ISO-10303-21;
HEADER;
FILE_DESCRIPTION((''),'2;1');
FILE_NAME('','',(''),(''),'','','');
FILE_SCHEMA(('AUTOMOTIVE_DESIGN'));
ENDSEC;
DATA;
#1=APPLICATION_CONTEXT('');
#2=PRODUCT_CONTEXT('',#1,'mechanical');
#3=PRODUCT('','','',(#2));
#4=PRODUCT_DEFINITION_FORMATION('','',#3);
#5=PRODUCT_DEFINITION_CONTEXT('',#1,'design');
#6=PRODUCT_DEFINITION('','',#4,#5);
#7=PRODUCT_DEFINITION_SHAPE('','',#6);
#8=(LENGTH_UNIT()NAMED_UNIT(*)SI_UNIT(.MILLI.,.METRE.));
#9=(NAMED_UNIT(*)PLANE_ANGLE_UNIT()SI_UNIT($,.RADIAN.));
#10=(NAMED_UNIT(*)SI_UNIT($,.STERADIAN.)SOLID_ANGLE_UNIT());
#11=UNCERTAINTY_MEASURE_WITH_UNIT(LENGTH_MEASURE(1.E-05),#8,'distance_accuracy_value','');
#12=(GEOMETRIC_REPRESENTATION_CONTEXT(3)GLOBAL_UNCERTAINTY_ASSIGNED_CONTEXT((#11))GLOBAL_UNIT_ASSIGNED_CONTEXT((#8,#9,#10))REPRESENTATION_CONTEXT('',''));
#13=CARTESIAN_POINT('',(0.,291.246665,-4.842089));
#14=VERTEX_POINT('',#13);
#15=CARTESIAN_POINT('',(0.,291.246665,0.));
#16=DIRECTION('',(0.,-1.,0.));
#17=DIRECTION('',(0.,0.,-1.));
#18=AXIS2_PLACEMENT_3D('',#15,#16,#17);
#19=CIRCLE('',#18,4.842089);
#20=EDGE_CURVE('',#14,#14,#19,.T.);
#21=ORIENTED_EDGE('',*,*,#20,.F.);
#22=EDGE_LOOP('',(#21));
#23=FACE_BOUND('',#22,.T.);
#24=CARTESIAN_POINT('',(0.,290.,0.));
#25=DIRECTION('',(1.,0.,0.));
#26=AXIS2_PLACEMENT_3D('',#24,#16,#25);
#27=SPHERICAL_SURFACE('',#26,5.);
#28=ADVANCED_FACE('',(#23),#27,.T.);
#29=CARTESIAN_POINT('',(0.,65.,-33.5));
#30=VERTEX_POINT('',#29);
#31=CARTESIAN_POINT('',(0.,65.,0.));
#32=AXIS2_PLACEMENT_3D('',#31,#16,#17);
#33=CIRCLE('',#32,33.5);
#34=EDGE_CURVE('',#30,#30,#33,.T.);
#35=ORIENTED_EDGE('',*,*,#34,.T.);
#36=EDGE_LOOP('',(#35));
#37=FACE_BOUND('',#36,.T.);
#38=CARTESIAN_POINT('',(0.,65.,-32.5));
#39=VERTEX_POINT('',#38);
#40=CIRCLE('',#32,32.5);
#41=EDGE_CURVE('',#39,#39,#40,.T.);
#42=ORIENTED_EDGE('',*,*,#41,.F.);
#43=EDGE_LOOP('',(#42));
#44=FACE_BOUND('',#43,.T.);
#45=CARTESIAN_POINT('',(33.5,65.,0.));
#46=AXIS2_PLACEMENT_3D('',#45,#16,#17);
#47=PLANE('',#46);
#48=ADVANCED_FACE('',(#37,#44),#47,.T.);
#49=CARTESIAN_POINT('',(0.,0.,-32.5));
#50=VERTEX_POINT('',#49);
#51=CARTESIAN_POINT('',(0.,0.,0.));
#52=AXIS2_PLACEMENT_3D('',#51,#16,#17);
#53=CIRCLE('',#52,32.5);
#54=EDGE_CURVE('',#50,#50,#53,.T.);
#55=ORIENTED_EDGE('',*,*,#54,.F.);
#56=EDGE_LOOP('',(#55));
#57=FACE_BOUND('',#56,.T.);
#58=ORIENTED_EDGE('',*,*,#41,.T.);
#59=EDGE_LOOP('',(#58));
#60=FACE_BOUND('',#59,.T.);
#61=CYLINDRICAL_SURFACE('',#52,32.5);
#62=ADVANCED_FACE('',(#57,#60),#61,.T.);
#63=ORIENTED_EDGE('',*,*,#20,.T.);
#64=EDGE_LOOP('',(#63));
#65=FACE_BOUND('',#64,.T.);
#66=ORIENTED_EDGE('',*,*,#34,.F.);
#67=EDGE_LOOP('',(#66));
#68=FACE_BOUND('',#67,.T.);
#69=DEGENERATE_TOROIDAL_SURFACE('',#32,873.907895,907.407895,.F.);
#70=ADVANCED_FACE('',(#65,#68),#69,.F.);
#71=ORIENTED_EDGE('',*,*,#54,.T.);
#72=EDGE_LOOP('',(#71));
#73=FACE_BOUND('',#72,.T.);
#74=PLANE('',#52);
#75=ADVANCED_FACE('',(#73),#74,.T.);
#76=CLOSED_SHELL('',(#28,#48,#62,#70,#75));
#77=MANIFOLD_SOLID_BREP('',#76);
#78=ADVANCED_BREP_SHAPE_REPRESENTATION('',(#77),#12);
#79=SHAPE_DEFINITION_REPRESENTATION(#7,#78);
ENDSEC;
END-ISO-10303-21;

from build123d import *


with BuildPart() as part:
    # Sketch1 → Revolve1 (revolve)
    with BuildSketch(Plane.XY, mode=Mode.PRIVATE) as revolve1_sk:
        with BuildLine():
            Line((0, 0), (32.5, 0))
            Line((32.5, 0), (32.5, 65))
            Line((32.5, 65), (33.5, 65))
            ThreePointArc((33.5, 65), (26.307013023, 179.02722165), (4.842089147, 291.246664625))
            ThreePointArc((4.842089147, 291.246664625), (3.063223537, 293.951792196), (0, 295))
            Line((0, 295), (0, 0))
        make_face()
    revolve(revolve1_sk.sketch.rotate(Axis((0, 0, 0), (0, 1, 0)), 90), axis=Axis((0, 0, 0), (0, 1, 0)))


solid = part.part
